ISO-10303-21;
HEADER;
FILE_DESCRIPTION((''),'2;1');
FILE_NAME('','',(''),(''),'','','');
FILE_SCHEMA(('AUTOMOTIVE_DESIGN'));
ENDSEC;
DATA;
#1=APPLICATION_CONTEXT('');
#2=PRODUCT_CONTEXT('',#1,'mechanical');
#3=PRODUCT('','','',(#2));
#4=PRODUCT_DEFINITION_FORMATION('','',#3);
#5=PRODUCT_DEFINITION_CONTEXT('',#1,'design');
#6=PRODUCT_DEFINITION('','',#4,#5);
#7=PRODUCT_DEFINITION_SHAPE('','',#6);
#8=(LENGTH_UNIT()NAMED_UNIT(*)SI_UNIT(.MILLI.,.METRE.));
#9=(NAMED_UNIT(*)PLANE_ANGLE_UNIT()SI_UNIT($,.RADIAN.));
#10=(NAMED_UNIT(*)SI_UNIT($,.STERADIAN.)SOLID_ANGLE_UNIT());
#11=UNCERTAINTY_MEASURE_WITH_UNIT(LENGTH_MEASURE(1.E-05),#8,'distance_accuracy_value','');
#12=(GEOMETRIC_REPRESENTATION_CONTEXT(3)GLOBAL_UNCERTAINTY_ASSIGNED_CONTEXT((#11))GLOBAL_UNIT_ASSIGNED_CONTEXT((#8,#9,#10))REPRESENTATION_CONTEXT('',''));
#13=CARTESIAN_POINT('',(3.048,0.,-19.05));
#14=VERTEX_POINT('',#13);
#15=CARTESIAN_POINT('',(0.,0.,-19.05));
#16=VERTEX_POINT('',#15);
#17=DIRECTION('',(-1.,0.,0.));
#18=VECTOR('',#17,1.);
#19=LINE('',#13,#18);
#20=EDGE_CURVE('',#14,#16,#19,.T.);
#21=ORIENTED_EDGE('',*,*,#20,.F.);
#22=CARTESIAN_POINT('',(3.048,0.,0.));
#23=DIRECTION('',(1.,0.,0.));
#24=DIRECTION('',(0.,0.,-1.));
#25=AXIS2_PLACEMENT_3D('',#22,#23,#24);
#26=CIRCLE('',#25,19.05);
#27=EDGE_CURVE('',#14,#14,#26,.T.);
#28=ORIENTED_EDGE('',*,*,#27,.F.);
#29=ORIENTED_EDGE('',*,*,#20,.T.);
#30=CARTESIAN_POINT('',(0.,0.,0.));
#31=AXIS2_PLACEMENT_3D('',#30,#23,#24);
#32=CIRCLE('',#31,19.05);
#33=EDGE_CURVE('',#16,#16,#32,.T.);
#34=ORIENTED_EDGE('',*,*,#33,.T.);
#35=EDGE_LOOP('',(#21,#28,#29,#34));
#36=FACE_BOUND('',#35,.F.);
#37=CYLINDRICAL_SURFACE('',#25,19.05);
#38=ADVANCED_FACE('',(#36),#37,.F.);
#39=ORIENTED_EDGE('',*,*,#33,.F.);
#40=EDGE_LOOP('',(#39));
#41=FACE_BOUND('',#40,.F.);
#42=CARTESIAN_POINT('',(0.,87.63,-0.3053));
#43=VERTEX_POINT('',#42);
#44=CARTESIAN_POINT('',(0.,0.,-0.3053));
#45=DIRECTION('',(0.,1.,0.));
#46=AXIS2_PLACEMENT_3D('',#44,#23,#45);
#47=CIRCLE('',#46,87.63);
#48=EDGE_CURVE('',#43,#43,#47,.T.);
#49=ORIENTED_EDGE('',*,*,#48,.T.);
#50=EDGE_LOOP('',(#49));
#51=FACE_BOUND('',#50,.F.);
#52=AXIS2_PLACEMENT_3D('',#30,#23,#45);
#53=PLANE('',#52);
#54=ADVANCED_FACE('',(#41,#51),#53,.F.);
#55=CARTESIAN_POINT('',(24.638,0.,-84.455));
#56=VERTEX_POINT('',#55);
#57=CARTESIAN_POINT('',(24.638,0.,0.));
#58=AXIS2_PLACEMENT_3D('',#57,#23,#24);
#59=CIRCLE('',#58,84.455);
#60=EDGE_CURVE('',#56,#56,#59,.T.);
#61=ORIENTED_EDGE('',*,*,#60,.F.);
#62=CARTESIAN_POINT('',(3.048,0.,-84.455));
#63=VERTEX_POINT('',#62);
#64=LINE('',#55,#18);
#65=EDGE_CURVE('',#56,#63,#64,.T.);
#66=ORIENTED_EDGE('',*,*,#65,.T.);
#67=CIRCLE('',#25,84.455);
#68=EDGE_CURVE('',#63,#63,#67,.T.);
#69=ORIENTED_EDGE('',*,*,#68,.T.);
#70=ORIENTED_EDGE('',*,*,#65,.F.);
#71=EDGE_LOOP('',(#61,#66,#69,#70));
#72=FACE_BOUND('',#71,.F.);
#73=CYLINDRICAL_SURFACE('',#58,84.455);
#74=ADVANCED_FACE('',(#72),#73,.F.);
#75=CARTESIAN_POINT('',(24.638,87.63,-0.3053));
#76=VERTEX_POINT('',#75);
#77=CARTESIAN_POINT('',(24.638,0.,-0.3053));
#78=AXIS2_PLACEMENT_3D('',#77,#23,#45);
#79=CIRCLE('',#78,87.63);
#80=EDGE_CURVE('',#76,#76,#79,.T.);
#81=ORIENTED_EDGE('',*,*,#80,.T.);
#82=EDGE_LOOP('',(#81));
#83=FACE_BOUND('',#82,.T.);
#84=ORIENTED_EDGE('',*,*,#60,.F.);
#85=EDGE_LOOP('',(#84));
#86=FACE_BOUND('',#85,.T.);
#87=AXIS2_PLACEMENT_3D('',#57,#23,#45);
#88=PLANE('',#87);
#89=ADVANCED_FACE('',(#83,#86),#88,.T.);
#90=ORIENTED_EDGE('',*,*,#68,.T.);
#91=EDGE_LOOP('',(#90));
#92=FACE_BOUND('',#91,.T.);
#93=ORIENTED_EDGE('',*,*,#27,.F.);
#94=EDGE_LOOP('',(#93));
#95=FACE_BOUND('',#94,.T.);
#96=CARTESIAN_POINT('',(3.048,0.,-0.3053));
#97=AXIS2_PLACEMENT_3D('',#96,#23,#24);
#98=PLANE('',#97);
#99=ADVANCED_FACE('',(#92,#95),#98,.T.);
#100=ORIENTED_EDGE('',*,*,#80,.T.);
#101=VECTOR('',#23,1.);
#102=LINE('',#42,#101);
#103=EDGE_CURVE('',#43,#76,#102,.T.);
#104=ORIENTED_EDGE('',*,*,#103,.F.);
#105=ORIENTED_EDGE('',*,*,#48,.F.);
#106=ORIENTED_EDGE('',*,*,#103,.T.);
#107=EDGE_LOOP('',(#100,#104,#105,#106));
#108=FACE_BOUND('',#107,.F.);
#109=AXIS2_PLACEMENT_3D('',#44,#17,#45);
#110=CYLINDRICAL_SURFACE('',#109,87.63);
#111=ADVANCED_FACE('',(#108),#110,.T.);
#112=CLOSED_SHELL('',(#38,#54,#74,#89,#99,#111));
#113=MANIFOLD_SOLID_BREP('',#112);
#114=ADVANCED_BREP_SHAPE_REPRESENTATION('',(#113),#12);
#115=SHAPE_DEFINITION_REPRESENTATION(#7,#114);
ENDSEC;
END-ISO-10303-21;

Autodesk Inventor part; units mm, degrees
ref_plane "YZ Plane" through (0, 0, 0) normal (1, 0, 0) x (0, 1, 0)
ref_plane "XZ Plane" through (0, 0, 0) normal (0, 1, 0) x (-1, 0, 0)
ref_plane "XY Plane" through (0, 0, 0) normal (0, 0, 1) x (1, 0, 0)
sketch "Sketch1" plane through (0, 0, 0) normal (1, 0, 0) x (0, 1, 0)
  circle A0 centre (0, -0.3053) radius 87.63
  point P0 (0, 0)
  dimension "d0" = 175.26
extrude "Extrusion1" add sketch "Sketch1" along normal blind 24.638
sketch "Sketch2" plane through (24.638, 0, -0.3053) normal (1, 0, 0) x (0, 0, -1)
  circle A0 centre (-0.3053, 0) radius 84.455
  dimension "d3" = 168.91
extrude "Cut1" cut sketch "Sketch2" against normal blind 21.59
sketch "Sketch3" plane through (3.048, 0, 0) normal (1, 0, 0) x (0, 0, -1)
  circle A0 centre (0, 0) radius 84.455 projected
  circle A1 centre (0, 0) radius 19.05
  dimension "d6" = 38.1
extrude "Cut2" cut sketch "Sketch3" against normal up to next contours A1
equation "\"d7\" = Thickness"
equation "\"BendRadius\" = Thickness"
equation "\"BendReliefWidth\" = Thickness"
equation "\"BendReliefDepth\" = 0.5 * Thickness"
equation "\"CornerReliefSize\" = 4 * Thickness"
equation "\"MinimumRemnant\" = 2 * Thickness"
equation "\"TransitionRadius\" = BendRadius"
equation "\"JacobiRadiusSize\" = BendRadius"
equation "\"GapSize\" = Thickness"
equation "\"Thickness\" = 3.048"
properties part number "Ground_shield_v2" material "Steel, Chrome Plated"
